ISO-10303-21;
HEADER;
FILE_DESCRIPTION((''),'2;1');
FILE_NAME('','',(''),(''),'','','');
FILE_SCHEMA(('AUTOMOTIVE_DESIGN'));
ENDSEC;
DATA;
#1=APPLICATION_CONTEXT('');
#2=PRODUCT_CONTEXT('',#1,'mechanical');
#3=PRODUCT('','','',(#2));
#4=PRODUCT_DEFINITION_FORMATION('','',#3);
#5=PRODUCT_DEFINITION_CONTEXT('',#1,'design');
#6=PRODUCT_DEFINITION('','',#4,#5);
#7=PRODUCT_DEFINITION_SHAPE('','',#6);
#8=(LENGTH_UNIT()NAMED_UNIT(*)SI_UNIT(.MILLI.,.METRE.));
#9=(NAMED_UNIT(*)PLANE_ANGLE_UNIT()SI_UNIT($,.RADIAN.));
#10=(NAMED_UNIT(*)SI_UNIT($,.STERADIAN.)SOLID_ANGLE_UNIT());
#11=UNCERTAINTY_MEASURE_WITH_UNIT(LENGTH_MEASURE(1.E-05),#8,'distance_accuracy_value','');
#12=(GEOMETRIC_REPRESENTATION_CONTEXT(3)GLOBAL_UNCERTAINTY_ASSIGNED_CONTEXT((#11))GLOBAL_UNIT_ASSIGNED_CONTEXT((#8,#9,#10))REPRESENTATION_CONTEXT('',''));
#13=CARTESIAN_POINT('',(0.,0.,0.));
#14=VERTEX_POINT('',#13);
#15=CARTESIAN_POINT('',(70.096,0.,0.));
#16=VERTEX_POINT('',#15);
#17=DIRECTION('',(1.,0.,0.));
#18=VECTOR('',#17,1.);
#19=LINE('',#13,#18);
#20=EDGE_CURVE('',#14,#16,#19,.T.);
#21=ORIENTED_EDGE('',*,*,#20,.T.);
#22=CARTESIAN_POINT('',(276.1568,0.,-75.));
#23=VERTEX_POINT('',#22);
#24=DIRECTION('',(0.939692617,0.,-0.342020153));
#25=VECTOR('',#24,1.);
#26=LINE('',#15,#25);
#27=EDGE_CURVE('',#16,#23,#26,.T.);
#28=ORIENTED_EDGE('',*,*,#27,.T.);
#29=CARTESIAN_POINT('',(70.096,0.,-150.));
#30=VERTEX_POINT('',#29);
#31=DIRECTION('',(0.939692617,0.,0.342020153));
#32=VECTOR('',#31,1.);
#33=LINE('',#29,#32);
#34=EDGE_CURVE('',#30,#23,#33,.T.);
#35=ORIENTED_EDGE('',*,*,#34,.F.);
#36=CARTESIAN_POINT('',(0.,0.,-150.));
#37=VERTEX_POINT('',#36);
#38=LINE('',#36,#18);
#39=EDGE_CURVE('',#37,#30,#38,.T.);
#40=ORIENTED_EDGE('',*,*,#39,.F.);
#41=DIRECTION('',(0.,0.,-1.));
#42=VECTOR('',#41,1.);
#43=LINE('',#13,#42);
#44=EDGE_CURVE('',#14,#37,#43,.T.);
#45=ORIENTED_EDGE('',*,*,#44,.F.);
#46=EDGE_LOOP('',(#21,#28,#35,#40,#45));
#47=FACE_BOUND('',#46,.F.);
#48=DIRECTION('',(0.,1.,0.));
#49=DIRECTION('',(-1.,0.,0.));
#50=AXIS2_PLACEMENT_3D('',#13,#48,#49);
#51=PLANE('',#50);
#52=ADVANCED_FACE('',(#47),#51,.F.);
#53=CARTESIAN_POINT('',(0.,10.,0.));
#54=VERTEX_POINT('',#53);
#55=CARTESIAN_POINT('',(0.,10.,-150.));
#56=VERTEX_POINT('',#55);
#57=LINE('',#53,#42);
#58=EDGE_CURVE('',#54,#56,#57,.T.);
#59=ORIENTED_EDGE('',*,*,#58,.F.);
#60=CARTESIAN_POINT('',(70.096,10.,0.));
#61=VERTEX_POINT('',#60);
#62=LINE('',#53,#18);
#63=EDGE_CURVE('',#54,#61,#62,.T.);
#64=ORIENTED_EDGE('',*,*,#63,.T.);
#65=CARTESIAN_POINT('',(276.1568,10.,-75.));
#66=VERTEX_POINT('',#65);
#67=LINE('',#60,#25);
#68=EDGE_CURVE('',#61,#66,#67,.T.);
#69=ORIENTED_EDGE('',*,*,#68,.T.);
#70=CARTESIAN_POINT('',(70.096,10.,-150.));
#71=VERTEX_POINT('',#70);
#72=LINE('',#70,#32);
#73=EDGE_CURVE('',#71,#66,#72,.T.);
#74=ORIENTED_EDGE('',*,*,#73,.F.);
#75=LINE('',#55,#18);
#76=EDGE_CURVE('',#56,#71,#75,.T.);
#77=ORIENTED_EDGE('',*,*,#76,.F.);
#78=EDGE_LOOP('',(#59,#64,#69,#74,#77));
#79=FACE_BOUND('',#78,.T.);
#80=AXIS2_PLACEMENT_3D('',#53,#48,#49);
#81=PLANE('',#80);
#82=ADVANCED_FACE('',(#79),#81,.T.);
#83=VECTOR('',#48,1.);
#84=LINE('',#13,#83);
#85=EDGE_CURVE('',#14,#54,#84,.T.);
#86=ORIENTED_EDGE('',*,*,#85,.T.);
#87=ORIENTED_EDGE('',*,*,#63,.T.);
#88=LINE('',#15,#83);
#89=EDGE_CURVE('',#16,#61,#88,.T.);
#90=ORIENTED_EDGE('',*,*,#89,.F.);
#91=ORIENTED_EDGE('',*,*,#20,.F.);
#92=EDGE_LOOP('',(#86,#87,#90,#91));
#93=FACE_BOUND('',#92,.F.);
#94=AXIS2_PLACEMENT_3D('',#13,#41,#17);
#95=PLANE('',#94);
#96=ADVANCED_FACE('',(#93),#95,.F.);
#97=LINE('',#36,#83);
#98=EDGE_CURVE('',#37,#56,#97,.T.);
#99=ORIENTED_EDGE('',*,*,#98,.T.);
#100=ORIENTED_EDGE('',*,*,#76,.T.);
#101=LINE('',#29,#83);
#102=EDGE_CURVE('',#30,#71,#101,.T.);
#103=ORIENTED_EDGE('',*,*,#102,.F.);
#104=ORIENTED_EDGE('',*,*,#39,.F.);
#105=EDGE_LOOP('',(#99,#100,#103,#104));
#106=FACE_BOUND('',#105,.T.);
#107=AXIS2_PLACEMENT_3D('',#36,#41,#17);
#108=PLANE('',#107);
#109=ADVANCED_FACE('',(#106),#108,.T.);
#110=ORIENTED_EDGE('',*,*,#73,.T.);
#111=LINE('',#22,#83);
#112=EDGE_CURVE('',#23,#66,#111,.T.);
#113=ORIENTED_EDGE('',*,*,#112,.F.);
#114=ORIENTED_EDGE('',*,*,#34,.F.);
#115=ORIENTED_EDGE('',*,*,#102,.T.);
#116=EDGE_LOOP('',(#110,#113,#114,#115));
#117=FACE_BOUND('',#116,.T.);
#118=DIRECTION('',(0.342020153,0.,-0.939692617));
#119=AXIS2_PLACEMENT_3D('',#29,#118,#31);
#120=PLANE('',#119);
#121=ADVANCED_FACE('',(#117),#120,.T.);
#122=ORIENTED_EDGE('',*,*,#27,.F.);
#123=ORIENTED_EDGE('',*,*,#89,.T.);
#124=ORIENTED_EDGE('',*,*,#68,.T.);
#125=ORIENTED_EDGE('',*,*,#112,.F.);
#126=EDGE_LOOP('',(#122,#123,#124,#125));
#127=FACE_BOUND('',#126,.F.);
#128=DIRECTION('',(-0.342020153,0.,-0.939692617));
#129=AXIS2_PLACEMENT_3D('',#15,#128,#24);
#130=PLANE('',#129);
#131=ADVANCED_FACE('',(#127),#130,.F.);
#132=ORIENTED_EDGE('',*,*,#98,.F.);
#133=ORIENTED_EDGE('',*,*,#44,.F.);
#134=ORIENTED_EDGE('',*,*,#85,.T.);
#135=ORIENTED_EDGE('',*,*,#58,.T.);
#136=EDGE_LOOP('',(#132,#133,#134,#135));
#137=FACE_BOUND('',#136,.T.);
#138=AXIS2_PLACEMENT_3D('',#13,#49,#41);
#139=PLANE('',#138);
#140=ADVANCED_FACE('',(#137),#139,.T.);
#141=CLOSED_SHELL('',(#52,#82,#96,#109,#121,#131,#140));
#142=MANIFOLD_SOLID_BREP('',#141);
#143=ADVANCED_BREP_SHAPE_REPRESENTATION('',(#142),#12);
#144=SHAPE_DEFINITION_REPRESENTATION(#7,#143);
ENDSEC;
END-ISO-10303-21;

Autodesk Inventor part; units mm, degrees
ref_plane "YZ Plane" through (0, 0, 0) normal (1, 0, 0) x (0, 1, 0)
ref_plane "XZ Plane" through (0, 0, 0) normal (0, 1, 0) x (-1, 0, 0)
ref_plane "XY Plane" through (0, 0, 0) normal (0, 0, 1) x (1, 0, 0)
sketch "Sketch1" plane through (0, 0, 0) normal (0, 1, 0) x (-1, 0, 0)
  line L0 (0, 0) -> (0, -150)
  line L1 (0, 0) -> (-70.096, 0)
  line L2 (-70.096, 0) -> (-276.1568, -75)
  line L3 (0, -150) -> (-70.096, -150)
  line L4 (-70.096, -150) -> (-276.1568, -75)
  dimension "d0" = 150
  dimension "d1" = 70.096
  dimension "d2" = 160
  dimension "d3" = 160
extrude "Extrusion1" add sketch "Sketch1" along normal blind 10
equation "\"d3\" = d2"
properties part number "Wedge_base" material "Aluminum 6061"
